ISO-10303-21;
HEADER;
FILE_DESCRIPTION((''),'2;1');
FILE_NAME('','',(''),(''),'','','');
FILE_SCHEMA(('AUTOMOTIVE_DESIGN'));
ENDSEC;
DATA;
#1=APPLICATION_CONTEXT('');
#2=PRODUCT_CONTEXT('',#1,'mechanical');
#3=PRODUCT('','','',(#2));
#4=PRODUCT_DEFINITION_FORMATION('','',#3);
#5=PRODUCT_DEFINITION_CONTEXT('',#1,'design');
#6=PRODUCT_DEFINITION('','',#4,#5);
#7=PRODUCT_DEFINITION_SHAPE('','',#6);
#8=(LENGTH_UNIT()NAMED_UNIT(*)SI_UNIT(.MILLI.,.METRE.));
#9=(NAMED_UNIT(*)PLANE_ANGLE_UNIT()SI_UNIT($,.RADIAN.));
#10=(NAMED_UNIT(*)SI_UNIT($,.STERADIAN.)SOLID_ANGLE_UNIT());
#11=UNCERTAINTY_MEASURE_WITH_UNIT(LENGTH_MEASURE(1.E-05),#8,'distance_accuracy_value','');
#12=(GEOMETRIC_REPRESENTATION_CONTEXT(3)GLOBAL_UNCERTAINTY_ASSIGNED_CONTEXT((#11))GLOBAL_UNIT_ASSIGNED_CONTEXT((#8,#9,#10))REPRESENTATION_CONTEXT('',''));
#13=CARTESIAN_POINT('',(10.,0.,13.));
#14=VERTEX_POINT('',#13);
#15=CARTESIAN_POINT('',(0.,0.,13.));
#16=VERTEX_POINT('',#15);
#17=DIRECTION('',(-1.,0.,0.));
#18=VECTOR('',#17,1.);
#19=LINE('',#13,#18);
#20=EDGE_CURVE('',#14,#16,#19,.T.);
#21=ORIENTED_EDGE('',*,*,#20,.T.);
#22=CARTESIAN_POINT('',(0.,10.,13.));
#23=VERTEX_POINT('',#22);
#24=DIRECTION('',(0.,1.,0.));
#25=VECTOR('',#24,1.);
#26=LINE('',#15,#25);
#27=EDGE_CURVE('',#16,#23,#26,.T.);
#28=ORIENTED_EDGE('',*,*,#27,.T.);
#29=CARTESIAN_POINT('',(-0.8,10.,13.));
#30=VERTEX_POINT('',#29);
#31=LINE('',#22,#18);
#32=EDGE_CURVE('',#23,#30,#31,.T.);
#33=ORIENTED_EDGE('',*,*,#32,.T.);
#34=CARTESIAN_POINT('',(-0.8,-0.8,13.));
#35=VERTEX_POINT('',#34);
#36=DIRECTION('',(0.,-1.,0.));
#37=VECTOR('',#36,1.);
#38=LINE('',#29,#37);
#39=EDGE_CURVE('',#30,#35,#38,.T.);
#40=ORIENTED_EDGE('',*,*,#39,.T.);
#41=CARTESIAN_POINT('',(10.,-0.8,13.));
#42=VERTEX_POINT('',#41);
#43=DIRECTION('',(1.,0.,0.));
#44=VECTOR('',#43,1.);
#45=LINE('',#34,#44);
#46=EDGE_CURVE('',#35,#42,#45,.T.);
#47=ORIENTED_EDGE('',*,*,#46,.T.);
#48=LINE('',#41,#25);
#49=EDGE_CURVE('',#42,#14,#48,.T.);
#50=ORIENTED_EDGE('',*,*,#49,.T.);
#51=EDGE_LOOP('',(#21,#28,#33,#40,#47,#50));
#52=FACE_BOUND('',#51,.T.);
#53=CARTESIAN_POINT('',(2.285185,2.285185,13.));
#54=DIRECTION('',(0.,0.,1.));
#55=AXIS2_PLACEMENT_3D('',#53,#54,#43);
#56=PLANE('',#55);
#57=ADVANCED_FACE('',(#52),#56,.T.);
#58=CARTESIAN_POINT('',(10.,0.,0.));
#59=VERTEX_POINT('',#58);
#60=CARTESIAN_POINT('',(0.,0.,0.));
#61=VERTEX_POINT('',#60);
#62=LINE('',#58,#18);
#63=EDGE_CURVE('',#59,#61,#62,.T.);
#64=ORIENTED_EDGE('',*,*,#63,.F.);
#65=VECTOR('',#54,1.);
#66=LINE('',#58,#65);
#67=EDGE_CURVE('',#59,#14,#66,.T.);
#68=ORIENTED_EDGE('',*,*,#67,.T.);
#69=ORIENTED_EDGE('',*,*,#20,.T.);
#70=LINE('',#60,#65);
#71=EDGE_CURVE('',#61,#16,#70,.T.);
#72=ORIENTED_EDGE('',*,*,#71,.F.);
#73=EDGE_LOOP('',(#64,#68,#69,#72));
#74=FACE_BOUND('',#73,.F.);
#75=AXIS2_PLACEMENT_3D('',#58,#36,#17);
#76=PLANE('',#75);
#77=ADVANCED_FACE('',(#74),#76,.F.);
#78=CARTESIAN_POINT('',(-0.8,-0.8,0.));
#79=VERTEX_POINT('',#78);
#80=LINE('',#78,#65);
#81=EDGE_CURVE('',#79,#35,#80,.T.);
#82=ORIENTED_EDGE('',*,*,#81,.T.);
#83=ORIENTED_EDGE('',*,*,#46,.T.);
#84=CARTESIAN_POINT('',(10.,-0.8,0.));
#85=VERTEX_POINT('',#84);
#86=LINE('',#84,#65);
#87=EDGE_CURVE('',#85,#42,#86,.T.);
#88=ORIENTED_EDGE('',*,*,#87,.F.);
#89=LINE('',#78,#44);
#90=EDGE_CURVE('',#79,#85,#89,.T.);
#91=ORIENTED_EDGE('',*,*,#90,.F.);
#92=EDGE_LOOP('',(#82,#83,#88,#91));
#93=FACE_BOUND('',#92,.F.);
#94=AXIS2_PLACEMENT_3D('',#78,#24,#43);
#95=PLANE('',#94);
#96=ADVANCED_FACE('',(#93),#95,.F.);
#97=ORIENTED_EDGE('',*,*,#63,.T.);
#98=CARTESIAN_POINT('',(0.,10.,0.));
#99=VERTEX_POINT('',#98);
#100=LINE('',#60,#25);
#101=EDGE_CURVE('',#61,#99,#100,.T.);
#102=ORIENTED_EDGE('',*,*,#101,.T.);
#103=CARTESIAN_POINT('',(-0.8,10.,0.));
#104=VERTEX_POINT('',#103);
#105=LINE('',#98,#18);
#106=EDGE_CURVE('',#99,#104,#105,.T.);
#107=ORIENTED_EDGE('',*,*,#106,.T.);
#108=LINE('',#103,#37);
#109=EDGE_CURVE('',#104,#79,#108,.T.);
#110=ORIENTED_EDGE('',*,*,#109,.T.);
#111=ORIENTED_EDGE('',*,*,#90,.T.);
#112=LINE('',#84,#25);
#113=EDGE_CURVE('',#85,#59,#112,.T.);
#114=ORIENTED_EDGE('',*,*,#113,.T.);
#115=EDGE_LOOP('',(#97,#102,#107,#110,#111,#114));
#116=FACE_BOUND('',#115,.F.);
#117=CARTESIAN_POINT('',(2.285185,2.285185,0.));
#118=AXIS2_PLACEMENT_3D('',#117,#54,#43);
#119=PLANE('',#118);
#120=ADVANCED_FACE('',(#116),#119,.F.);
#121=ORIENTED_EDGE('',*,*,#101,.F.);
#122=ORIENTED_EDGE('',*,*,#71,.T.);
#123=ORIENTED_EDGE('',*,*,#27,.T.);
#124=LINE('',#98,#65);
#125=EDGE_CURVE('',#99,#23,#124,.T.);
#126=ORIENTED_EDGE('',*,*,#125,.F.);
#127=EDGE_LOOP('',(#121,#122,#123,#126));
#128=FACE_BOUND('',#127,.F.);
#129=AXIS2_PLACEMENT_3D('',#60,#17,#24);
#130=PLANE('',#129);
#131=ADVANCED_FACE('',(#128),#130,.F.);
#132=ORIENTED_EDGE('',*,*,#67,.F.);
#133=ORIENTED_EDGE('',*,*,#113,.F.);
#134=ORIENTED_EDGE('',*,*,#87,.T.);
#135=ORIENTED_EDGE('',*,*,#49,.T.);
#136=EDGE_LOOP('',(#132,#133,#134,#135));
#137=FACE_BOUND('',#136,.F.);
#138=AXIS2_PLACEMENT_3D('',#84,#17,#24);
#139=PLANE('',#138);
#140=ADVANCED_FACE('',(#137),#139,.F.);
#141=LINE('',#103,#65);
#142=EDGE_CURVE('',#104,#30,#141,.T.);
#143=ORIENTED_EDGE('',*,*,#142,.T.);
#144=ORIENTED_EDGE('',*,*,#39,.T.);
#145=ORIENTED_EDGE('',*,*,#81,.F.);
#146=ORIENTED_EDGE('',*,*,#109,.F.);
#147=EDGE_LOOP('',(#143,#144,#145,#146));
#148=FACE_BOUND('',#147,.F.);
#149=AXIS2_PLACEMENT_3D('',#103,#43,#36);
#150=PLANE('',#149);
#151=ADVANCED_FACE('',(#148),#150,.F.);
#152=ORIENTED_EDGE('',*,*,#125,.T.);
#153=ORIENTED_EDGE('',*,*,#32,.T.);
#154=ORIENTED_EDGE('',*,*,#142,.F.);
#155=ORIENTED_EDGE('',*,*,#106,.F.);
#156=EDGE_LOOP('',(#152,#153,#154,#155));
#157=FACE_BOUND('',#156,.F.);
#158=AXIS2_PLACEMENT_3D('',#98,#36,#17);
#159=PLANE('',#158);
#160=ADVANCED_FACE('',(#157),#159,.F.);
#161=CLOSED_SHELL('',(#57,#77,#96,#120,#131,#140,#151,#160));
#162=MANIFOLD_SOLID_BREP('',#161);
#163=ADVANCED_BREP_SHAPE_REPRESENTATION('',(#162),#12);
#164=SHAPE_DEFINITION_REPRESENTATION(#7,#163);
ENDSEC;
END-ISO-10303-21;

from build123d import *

# Parameters (mm, degrees)
PAD_DEPTH = 13


with BuildPart() as part:
    # Sketch → Pad (new body)
    with BuildSketch(Plane.XY):
        Polygon((0, 0), (0, 10), (-0.8, 10), (-0.8, -0.8), (10, -0.8), (10, 0), align=None)
    extrude(amount=PAD_DEPTH)


solid = part.part
